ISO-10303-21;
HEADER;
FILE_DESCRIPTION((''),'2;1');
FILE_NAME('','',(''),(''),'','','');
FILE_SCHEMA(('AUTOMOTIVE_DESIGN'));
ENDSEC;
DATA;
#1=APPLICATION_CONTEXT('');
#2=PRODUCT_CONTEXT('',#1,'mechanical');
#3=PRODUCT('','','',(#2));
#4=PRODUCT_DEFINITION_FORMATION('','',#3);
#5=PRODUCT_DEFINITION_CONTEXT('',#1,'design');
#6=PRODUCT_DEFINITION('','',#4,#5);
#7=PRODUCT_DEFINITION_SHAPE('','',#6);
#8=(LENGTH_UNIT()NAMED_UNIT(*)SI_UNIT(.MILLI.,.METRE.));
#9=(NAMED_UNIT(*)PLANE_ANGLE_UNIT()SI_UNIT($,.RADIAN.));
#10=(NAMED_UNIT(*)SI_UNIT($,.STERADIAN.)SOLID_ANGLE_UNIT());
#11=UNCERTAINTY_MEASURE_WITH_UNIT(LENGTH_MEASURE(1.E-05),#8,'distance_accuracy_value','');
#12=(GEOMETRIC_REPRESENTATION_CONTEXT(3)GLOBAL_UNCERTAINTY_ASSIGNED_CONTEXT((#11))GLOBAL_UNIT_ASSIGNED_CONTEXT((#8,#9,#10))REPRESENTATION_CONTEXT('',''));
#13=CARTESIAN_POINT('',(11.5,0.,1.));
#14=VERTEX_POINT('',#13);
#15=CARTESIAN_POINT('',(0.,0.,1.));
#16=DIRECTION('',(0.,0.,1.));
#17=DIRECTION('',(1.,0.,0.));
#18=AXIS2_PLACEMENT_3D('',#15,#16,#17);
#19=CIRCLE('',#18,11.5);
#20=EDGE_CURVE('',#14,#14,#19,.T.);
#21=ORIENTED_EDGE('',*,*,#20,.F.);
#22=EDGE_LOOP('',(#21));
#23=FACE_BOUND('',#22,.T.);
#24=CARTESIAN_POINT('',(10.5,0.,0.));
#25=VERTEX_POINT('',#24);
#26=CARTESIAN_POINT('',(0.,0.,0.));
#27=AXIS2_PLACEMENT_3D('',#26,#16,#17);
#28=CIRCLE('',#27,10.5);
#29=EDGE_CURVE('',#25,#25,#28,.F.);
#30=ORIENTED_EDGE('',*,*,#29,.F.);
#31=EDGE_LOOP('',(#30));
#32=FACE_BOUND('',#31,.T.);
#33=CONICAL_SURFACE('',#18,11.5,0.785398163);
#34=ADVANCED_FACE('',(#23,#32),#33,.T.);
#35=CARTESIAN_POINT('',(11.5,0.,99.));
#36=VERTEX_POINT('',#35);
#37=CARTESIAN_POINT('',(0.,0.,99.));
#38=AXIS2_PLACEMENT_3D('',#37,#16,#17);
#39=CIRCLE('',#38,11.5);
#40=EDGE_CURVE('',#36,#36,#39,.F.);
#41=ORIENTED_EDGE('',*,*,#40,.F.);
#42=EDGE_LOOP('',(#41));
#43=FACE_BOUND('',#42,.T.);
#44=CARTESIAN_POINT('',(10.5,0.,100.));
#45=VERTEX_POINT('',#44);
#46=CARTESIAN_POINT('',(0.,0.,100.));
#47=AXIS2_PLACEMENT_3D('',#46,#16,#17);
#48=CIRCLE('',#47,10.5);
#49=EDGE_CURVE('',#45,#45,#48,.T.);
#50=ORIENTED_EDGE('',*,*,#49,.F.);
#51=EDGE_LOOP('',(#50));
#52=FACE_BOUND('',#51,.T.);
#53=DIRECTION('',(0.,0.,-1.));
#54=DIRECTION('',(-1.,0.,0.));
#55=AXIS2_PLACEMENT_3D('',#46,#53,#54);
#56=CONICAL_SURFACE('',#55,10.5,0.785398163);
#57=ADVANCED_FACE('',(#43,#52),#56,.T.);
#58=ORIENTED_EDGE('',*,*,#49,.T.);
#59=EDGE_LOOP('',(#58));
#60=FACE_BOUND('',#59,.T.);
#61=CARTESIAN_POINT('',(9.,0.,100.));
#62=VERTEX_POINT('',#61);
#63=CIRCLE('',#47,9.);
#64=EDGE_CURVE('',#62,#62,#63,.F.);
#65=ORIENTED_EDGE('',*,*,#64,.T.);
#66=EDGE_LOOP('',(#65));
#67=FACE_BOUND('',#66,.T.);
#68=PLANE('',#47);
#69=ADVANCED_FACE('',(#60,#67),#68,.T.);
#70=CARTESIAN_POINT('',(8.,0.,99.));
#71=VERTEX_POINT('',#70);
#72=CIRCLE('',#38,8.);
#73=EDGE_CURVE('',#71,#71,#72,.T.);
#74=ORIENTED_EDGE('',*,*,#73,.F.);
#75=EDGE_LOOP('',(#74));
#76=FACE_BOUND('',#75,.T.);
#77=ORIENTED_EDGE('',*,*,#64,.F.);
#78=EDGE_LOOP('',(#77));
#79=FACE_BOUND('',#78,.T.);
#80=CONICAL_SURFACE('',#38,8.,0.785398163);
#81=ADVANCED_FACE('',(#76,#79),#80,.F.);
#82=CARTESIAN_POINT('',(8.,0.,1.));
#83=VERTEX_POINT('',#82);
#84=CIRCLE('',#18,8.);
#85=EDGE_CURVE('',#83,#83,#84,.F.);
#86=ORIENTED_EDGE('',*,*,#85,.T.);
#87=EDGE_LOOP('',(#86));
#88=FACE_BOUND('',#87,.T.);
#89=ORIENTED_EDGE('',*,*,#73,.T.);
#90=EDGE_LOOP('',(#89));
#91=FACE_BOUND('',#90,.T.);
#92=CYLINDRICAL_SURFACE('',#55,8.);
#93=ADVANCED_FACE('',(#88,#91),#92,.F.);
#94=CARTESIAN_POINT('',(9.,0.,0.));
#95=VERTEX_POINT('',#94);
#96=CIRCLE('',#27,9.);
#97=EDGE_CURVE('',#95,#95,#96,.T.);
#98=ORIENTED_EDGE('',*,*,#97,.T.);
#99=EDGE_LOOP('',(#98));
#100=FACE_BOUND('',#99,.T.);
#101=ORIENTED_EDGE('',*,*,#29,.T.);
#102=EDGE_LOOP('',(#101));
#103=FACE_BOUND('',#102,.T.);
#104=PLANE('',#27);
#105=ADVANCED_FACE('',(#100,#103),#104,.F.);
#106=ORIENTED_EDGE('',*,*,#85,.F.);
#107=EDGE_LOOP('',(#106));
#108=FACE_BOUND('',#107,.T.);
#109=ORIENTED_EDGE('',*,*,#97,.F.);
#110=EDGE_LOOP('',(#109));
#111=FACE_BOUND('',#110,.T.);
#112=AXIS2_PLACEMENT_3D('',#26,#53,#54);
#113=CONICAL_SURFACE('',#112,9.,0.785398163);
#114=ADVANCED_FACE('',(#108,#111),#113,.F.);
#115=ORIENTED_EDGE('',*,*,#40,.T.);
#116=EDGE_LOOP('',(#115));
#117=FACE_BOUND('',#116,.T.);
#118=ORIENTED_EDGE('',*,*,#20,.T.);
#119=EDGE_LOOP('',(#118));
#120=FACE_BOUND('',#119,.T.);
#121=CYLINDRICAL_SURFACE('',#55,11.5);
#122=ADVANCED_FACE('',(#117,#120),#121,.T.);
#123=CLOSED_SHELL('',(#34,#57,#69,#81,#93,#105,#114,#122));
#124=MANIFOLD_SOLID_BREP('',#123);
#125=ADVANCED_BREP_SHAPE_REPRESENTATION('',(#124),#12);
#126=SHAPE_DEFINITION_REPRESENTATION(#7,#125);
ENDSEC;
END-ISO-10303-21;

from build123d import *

# Parameters (mm, degrees)
SKETCH_1_R      = 11.5
SKETCH_1_R_2    = 8
EXTRUDE_1_DEPTH = 100
CHAMFER_1_SIZE  = 1


with BuildPart() as part:
    # 草图1 → 凸台-拉伸1 (new body)
    with BuildSketch(Plane.XY):
        Circle(SKETCH_1_R)
        Circle(SKETCH_1_R_2, mode=Mode.SUBTRACT)
    extrude(amount=EXTRUDE_1_DEPTH)

    # 倒角1
    chamfer_1_edges = [part.edges().sort_by_distance(p)[0] for p in [
        (-11.5, 0, 0),
        (-11.5, 0, 100),
        (-8, 0, 0),
        (-8, 0, 100),
    ]]
    chamfer(chamfer_1_edges, length=CHAMFER_1_SIZE)


solid = part.part
